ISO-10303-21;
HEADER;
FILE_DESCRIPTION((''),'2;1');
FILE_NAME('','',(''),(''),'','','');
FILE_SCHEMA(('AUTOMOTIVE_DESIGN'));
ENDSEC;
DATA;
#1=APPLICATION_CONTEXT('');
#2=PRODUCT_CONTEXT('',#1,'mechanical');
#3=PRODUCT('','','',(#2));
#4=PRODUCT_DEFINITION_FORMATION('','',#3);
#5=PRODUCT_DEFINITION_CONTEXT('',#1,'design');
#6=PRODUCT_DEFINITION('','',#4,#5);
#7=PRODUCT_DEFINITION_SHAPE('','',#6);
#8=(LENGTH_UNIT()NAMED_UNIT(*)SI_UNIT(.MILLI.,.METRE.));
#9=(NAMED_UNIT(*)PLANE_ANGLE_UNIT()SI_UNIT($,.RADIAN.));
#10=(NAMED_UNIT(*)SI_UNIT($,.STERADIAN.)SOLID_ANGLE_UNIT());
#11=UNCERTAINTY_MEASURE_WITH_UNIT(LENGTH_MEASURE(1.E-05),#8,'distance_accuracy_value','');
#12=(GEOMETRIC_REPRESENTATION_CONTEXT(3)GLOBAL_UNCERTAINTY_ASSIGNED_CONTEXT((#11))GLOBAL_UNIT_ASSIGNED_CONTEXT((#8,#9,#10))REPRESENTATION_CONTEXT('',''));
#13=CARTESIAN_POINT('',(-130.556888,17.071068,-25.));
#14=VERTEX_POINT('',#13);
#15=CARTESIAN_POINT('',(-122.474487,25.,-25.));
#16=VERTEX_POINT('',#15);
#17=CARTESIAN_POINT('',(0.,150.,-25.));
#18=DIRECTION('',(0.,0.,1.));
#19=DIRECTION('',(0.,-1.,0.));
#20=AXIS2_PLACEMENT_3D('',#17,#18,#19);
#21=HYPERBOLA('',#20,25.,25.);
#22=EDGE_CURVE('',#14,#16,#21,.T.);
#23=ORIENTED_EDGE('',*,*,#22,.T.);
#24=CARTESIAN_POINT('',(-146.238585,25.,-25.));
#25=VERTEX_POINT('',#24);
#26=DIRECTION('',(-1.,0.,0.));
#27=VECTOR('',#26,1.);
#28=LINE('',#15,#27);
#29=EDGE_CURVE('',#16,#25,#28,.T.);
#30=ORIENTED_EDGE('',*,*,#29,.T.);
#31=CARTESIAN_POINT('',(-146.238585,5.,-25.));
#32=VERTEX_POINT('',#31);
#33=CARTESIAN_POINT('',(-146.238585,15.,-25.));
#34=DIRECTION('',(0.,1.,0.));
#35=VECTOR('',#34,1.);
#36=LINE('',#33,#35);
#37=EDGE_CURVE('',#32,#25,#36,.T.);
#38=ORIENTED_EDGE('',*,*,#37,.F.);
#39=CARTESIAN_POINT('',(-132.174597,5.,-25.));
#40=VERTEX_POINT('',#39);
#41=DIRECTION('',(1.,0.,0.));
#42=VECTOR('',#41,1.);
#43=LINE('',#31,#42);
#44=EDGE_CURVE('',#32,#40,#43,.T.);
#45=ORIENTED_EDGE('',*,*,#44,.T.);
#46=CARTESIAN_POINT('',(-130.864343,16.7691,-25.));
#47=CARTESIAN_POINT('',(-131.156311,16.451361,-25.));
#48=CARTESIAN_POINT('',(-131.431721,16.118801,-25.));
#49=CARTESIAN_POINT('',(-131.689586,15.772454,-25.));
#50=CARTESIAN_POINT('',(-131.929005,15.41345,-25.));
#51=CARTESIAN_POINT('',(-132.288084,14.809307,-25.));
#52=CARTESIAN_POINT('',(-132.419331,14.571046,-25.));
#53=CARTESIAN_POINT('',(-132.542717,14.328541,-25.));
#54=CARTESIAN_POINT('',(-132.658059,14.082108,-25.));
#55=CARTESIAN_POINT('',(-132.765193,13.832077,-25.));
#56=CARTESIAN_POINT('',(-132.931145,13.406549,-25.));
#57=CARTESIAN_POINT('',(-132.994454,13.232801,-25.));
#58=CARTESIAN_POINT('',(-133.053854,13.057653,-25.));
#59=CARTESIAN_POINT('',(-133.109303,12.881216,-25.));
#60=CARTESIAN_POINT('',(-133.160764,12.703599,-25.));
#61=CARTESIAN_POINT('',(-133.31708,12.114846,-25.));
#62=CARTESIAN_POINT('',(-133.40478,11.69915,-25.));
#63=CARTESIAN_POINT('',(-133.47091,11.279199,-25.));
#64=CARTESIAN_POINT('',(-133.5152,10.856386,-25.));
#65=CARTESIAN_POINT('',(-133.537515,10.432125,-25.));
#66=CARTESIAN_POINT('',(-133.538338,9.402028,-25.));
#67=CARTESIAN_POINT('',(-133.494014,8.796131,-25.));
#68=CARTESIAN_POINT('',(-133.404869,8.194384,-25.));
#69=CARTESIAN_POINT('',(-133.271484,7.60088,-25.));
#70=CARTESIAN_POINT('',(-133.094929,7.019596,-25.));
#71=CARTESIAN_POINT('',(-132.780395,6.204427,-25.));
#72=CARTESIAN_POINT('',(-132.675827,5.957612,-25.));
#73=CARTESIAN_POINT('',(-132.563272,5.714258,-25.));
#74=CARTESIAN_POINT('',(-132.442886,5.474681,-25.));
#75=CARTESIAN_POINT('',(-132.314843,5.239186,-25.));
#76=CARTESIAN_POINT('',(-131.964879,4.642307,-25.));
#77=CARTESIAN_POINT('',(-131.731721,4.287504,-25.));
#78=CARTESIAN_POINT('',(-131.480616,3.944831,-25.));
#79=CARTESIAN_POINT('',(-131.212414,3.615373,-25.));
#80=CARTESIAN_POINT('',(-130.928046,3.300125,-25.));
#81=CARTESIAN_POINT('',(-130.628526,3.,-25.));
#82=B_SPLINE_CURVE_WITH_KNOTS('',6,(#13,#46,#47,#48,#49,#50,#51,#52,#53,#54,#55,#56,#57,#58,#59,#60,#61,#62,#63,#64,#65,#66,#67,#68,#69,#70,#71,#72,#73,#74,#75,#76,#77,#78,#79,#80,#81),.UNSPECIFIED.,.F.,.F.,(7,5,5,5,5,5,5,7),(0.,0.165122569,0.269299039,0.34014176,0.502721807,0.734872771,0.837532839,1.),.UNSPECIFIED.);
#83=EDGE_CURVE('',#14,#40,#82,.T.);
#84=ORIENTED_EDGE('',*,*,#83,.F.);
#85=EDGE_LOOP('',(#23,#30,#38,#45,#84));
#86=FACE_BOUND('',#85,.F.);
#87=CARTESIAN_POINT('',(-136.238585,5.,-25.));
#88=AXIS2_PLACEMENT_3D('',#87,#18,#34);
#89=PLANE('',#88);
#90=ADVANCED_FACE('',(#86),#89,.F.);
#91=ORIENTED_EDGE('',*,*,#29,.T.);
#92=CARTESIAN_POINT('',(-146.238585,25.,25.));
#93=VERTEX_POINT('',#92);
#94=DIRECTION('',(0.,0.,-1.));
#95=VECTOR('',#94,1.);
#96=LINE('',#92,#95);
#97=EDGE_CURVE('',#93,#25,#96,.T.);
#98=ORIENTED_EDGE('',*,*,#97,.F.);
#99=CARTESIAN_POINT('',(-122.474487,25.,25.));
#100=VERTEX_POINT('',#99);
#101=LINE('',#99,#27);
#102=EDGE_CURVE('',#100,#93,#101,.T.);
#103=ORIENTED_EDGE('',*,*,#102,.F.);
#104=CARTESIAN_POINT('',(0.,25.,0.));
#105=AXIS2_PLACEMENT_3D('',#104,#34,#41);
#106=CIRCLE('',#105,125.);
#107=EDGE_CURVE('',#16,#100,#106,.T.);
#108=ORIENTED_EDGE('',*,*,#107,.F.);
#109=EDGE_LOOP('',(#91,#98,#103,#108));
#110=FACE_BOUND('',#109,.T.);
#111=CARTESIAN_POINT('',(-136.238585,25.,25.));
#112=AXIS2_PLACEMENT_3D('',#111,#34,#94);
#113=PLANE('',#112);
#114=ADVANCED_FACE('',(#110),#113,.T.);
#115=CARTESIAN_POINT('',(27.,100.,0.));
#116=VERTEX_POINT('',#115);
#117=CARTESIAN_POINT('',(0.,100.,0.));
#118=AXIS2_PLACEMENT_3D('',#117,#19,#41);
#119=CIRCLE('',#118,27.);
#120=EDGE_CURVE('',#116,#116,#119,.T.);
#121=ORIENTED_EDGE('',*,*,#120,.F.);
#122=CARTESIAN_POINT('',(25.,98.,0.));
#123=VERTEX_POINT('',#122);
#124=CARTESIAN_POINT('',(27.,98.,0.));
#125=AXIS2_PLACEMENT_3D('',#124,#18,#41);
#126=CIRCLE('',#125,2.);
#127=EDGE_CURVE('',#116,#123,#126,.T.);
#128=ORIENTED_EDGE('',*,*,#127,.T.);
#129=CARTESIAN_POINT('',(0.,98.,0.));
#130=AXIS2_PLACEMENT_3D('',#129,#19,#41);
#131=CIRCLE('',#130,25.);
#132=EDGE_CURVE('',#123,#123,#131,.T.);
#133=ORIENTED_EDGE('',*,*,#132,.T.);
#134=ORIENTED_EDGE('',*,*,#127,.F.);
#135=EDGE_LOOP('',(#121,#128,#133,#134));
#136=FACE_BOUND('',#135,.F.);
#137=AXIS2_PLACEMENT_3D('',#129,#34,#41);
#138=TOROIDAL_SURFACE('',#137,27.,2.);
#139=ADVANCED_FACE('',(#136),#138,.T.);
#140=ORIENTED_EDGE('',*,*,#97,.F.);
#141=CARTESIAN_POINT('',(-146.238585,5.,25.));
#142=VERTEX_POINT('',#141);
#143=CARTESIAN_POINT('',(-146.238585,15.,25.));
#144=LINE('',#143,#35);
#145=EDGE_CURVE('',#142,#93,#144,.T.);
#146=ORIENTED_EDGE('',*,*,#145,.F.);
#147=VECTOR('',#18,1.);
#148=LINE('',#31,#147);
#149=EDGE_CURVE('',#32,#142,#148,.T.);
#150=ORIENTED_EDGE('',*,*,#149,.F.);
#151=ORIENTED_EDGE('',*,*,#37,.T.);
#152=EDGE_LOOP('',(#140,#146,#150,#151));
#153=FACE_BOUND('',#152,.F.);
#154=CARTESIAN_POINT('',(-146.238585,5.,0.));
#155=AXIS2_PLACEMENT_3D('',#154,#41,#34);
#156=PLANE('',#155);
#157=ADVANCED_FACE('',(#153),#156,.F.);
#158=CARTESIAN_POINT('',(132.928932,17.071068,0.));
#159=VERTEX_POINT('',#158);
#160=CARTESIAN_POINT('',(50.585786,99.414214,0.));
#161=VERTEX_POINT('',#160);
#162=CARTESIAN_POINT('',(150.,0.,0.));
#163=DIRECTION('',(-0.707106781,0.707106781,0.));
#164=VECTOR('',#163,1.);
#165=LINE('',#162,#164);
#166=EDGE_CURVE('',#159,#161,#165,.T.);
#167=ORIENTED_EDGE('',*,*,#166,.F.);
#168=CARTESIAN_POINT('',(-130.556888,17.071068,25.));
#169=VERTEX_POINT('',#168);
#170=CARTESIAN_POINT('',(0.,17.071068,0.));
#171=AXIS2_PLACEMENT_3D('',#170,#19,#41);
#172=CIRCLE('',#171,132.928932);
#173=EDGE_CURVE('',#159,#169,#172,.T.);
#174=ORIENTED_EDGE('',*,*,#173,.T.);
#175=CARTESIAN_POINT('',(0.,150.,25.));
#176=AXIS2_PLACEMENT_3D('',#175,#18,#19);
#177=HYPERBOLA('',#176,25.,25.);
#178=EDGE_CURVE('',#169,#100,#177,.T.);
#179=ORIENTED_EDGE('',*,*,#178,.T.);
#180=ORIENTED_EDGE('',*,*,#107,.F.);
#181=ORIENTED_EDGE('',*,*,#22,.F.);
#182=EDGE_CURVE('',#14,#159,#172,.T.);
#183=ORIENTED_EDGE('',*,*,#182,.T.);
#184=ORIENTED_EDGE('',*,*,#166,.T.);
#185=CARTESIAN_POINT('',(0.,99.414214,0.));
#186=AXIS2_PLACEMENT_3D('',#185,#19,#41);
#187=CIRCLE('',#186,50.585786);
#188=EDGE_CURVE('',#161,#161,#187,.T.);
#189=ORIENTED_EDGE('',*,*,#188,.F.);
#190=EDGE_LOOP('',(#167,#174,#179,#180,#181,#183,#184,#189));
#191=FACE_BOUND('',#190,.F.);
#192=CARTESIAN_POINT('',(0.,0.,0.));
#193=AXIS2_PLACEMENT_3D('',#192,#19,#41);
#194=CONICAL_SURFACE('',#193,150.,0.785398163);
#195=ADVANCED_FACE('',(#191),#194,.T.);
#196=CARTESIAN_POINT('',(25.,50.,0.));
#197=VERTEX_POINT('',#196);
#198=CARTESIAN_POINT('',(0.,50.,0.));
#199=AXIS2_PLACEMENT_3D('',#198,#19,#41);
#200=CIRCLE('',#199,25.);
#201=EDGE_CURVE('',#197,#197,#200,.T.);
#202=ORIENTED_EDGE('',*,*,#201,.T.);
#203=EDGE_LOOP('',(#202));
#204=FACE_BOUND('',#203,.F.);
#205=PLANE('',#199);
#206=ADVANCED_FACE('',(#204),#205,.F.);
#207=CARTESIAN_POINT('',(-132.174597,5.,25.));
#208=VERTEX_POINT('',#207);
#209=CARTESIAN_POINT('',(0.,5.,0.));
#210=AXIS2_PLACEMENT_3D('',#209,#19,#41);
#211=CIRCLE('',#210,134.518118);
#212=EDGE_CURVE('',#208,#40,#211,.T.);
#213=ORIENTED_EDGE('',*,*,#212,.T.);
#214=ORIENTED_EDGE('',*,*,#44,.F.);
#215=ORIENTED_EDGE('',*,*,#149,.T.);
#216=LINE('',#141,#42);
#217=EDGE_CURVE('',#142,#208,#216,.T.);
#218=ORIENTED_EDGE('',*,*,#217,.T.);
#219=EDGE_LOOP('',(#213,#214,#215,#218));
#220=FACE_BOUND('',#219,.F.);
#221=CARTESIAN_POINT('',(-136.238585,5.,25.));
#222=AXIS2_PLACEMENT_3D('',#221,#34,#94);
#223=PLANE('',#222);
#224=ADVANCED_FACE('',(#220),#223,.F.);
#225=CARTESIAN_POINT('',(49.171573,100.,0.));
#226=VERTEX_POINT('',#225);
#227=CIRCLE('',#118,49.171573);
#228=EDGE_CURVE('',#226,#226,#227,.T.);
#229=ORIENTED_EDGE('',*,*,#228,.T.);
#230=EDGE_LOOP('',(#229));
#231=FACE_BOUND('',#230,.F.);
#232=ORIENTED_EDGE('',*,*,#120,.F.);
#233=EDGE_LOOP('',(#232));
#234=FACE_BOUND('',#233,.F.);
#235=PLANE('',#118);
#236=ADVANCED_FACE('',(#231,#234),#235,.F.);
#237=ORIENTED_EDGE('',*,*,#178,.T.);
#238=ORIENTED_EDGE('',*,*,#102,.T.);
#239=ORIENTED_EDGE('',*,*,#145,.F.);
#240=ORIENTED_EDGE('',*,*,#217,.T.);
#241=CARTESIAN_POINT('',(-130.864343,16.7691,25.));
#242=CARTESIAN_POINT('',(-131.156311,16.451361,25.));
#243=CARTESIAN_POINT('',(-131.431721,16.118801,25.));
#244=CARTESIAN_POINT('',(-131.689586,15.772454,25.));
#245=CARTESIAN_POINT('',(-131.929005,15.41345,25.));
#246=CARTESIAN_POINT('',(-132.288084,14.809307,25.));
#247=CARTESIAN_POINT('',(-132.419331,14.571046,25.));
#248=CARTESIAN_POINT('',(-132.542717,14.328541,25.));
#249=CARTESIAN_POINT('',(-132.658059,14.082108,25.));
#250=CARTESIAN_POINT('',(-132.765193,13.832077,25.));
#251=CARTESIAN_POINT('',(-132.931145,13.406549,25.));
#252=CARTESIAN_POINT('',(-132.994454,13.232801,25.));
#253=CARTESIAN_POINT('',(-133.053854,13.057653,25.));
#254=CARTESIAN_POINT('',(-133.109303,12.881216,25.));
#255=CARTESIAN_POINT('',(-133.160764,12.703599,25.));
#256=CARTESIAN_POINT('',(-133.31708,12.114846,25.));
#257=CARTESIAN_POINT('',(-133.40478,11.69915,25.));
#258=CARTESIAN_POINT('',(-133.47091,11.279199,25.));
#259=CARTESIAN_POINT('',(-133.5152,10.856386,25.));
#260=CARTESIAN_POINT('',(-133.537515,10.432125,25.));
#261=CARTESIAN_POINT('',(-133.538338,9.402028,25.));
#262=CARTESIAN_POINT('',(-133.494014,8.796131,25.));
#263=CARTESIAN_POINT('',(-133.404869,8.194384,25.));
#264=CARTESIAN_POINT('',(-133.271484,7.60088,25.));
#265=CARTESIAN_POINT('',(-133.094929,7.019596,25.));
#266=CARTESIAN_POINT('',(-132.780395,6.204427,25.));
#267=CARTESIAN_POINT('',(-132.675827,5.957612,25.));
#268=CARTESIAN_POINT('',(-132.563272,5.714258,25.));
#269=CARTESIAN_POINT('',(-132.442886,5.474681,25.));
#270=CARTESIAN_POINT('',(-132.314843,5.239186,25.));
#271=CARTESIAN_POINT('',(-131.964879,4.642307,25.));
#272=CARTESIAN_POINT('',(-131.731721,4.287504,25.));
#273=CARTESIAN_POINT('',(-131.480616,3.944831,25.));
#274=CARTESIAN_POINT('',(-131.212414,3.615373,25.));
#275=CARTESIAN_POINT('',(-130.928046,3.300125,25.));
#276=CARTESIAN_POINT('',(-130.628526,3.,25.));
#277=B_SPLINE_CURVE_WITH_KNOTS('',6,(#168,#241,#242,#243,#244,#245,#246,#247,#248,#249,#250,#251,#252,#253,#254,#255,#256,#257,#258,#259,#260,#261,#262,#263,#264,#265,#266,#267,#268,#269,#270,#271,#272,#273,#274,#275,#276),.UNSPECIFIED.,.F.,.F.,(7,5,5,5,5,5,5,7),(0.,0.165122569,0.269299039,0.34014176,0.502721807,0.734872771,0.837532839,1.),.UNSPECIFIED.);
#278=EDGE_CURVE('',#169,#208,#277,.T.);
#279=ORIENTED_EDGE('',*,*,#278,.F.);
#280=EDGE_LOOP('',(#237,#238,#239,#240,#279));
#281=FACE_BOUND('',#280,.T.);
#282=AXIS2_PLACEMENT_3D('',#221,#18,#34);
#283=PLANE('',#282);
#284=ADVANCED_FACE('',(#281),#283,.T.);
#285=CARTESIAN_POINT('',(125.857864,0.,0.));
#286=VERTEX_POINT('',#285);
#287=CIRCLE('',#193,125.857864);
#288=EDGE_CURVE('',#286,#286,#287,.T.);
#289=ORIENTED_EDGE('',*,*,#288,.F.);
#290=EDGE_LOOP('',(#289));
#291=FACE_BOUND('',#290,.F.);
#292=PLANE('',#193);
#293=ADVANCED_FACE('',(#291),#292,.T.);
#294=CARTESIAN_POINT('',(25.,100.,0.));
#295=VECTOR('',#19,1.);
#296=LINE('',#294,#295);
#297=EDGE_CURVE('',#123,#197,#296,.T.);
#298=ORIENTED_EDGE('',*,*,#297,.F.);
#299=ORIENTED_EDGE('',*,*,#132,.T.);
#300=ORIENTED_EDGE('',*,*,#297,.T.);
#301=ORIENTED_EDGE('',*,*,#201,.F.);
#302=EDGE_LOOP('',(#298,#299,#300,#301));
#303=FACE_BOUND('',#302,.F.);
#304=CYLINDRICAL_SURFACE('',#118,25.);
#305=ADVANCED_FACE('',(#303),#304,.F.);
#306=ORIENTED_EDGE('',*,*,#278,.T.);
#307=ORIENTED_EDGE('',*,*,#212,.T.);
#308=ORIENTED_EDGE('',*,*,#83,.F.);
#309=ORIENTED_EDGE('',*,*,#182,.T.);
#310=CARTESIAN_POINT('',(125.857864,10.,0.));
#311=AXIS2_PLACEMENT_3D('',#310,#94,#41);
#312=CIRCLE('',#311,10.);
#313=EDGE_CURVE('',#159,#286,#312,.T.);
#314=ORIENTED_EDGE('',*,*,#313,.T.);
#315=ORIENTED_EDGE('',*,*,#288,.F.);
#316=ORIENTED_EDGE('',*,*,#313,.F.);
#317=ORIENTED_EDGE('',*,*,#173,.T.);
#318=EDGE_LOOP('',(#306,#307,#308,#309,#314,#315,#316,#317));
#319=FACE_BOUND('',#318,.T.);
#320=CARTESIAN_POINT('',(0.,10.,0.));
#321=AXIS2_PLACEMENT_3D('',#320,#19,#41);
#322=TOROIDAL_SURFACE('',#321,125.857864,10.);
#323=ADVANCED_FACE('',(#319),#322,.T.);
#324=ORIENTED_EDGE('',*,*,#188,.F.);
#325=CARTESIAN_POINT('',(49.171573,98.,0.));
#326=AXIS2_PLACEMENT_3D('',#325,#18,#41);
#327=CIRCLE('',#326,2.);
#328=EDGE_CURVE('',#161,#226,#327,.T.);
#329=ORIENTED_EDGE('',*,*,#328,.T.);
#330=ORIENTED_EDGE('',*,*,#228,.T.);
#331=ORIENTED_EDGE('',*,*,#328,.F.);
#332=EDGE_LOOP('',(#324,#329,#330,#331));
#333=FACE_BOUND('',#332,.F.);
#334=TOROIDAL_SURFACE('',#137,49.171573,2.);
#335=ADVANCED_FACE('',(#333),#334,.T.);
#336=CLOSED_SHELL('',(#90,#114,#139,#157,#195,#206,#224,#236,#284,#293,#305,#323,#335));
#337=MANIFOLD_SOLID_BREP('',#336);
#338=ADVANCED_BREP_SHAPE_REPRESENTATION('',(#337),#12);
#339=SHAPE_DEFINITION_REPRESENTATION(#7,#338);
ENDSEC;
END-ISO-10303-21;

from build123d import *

# Parameters (mm, degrees)
FILLET1_R           = 2
FILLET2_R           = 10
SKETCH3_W           = 10
SKETCH3_H           = 20
BOSS_EXTRUDE1_DEPTH = 25
BOSS_EXTRUDE2_REACH = 322.147
SKETCH4_W           = 50
SKETCH4_H           = 20


with BuildPart() as part:
    # Sketch1 → Revolve1 (revolve)
    with BuildSketch(Plane.XY):
        Polygon((0, 0), (150, 0), (50, 100), (25, 100), (25, 50), (0, 50), align=None)
    revolve(axis=Axis((0, 50, 0), (0, -1, 0)))

    # Fillet1
    fillet1_edges = [part.edges().sort_by_distance(p)[0] for p in [
        (-25, 100, 0),
        (-50, 100, 0),
    ]]
    fillet(fillet1_edges, radius=FILLET1_R)

    # Fillet2
    fillet2_edges = [part.edges().sort_by_distance(p)[0] for p in [
        (-150, 0, 0),
    ]]
    fillet(fillet2_edges, radius=FILLET2_R)

    # Sketch4 → Boss-Extrude2 (add, up to next)
    with BuildSketch(Plane(origin=(-136.238585348, 0, 0), x_dir=(0, 0, -1), z_dir=(1, 0, 0)), mode=Mode.PRIVATE) as boss_extrude2_sk1:
        with Locations((0, 15)):
            Rectangle(SKETCH4_W, SKETCH4_H)
    boss_extrude2_tool1 = extrude(boss_extrude2_sk1.sketch, amount=BOSS_EXTRUDE2_REACH, mode=Mode.PRIVATE) - part.part


with BuildPart() as body_2:
    # Sketch3 → Boss-Extrude1 (new, symmetric)
    with BuildSketch(Plane.XY):
        with Locations((-141.238585348, 15)):
            Rectangle(SKETCH3_W, SKETCH3_H)
    extrude(amount=BOSS_EXTRUDE1_DEPTH, both=True)


with BuildPart() as part_1:
    add(part.part)

    add(body_2.part)  # Boss-Extrude2 merges body 2
    add(boss_extrude2_tool1.solids().sort_by_distance((-136.238585, 15, 0))[0])


solid = part_1.part
